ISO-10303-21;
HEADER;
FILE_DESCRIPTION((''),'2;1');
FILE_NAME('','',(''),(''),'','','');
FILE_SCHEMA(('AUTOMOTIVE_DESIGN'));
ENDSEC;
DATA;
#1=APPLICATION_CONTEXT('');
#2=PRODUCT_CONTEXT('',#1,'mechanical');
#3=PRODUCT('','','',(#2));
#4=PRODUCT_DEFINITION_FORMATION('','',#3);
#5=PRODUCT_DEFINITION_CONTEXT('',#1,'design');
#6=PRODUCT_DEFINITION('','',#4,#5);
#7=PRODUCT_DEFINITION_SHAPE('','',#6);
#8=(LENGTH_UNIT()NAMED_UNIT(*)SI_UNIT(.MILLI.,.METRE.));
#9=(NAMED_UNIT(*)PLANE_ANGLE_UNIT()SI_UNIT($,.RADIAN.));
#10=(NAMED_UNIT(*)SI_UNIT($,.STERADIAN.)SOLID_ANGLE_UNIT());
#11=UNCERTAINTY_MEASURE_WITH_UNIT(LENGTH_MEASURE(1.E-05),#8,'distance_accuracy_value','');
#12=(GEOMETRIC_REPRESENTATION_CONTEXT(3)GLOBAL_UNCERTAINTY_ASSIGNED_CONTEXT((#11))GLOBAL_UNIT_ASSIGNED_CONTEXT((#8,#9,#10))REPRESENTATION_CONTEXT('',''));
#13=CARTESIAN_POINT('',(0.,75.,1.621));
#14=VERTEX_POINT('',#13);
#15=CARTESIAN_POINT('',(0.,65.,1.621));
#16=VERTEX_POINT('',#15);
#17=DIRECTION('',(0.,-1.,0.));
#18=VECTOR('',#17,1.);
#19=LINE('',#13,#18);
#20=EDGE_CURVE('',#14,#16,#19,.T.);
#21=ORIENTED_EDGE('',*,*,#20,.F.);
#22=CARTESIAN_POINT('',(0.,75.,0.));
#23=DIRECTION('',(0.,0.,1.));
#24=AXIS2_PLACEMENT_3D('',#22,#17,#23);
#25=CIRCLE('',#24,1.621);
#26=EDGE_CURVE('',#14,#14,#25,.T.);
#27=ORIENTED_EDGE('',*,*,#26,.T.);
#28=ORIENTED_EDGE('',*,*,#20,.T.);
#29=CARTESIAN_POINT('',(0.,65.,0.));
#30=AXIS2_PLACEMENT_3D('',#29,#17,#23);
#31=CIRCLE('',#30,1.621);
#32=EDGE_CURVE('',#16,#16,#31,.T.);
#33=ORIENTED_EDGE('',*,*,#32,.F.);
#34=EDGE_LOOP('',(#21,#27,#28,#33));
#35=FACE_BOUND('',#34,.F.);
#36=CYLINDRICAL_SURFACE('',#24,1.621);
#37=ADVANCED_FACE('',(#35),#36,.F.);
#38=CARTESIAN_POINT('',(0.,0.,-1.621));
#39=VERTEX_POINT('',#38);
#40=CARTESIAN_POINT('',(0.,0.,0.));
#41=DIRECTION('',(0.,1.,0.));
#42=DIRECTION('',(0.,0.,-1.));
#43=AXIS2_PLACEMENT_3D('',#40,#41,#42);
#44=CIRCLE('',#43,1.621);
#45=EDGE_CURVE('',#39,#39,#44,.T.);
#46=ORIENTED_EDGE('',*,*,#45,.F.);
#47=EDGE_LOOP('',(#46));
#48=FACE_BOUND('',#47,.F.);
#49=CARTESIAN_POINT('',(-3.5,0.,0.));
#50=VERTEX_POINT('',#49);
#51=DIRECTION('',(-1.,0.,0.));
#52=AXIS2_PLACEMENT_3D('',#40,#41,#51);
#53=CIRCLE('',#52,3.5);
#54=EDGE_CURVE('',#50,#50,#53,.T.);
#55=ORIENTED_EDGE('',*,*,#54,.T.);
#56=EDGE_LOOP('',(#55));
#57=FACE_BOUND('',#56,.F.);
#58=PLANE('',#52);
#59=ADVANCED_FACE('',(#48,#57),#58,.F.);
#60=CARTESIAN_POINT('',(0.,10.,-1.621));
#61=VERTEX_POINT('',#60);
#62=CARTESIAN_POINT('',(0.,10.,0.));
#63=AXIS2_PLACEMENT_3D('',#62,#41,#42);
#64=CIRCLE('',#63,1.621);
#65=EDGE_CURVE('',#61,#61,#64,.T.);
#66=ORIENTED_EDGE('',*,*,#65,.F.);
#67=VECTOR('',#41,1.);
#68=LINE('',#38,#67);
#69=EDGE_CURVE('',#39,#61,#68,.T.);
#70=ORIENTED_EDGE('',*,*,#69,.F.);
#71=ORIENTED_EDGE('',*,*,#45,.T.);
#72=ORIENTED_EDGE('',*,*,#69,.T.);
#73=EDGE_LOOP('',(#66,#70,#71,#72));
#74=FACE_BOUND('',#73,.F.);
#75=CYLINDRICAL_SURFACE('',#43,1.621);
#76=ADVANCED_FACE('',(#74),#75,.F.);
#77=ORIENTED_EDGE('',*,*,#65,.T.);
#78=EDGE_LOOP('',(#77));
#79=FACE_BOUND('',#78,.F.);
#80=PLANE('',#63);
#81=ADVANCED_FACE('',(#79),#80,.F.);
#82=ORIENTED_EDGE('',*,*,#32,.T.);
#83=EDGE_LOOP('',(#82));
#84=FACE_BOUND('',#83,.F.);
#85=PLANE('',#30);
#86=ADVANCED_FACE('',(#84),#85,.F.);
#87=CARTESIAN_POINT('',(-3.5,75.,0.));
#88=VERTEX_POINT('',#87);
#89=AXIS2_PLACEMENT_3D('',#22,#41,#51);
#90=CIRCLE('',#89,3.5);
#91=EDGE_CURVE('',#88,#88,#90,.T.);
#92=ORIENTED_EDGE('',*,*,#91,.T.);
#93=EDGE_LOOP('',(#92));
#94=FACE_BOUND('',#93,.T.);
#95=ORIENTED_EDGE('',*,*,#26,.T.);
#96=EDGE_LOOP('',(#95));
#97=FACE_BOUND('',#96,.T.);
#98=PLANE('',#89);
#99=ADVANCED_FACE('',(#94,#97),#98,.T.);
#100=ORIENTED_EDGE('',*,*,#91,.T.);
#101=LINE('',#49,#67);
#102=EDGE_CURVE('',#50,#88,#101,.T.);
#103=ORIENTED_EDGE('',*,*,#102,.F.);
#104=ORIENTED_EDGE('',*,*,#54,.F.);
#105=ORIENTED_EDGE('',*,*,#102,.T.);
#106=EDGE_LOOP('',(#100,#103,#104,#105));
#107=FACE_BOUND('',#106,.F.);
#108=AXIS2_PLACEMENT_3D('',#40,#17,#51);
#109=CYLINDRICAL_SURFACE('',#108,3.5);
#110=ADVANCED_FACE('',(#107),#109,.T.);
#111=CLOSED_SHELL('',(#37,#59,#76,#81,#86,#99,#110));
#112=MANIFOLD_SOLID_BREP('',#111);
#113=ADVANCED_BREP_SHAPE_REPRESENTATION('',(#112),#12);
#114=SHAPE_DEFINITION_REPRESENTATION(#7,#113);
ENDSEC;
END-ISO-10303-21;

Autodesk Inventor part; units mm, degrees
ref_plane "YZ Plane" through (0, 0, 0) normal (1, 0, 0) x (0, 1, 0)
ref_plane "XZ Plane" through (0, 0, 0) normal (0, 1, 0) x (-1, 0, 0)
ref_plane "XY Plane" through (0, 0, 0) normal (0, 0, 1) x (1, 0, 0)
sketch "Sketch1" plane through (0, 0, 0) normal (0, 1, 0) x (-1, 0, 0)
  circle A0 centre (0, 0) radius 3.5
  dimension "d0" = 7
extrude "Extrusion1" add sketch "Sketch1" along normal blind 75
sketch "Sketch2" plane through (0, 75, 0) normal (0, 1, 0) x (1, 0, 0)
  circle A0 centre (0, 0) radius 3.5 projected
hole "Hole1" at (0, 75, 0) direction (0, -1, 0) diameter 3.242 depth 10 thread size "M4x0.7" class "6H" standard "ISO Metric profile"
sketch "Sketch3" plane through (0, 0, 0) normal (0, -1, 0) x (1, 0, 0)
  circle A0 centre (0, 0) radius 3.5 projected
hole "Hole2" at (0, 0, 0) direction (0, 1, 0) diameter 3.242 depth 10 thread size "M4x0.7" class "6H" standard "ISO Metric profile"
properties part number "214.3"
